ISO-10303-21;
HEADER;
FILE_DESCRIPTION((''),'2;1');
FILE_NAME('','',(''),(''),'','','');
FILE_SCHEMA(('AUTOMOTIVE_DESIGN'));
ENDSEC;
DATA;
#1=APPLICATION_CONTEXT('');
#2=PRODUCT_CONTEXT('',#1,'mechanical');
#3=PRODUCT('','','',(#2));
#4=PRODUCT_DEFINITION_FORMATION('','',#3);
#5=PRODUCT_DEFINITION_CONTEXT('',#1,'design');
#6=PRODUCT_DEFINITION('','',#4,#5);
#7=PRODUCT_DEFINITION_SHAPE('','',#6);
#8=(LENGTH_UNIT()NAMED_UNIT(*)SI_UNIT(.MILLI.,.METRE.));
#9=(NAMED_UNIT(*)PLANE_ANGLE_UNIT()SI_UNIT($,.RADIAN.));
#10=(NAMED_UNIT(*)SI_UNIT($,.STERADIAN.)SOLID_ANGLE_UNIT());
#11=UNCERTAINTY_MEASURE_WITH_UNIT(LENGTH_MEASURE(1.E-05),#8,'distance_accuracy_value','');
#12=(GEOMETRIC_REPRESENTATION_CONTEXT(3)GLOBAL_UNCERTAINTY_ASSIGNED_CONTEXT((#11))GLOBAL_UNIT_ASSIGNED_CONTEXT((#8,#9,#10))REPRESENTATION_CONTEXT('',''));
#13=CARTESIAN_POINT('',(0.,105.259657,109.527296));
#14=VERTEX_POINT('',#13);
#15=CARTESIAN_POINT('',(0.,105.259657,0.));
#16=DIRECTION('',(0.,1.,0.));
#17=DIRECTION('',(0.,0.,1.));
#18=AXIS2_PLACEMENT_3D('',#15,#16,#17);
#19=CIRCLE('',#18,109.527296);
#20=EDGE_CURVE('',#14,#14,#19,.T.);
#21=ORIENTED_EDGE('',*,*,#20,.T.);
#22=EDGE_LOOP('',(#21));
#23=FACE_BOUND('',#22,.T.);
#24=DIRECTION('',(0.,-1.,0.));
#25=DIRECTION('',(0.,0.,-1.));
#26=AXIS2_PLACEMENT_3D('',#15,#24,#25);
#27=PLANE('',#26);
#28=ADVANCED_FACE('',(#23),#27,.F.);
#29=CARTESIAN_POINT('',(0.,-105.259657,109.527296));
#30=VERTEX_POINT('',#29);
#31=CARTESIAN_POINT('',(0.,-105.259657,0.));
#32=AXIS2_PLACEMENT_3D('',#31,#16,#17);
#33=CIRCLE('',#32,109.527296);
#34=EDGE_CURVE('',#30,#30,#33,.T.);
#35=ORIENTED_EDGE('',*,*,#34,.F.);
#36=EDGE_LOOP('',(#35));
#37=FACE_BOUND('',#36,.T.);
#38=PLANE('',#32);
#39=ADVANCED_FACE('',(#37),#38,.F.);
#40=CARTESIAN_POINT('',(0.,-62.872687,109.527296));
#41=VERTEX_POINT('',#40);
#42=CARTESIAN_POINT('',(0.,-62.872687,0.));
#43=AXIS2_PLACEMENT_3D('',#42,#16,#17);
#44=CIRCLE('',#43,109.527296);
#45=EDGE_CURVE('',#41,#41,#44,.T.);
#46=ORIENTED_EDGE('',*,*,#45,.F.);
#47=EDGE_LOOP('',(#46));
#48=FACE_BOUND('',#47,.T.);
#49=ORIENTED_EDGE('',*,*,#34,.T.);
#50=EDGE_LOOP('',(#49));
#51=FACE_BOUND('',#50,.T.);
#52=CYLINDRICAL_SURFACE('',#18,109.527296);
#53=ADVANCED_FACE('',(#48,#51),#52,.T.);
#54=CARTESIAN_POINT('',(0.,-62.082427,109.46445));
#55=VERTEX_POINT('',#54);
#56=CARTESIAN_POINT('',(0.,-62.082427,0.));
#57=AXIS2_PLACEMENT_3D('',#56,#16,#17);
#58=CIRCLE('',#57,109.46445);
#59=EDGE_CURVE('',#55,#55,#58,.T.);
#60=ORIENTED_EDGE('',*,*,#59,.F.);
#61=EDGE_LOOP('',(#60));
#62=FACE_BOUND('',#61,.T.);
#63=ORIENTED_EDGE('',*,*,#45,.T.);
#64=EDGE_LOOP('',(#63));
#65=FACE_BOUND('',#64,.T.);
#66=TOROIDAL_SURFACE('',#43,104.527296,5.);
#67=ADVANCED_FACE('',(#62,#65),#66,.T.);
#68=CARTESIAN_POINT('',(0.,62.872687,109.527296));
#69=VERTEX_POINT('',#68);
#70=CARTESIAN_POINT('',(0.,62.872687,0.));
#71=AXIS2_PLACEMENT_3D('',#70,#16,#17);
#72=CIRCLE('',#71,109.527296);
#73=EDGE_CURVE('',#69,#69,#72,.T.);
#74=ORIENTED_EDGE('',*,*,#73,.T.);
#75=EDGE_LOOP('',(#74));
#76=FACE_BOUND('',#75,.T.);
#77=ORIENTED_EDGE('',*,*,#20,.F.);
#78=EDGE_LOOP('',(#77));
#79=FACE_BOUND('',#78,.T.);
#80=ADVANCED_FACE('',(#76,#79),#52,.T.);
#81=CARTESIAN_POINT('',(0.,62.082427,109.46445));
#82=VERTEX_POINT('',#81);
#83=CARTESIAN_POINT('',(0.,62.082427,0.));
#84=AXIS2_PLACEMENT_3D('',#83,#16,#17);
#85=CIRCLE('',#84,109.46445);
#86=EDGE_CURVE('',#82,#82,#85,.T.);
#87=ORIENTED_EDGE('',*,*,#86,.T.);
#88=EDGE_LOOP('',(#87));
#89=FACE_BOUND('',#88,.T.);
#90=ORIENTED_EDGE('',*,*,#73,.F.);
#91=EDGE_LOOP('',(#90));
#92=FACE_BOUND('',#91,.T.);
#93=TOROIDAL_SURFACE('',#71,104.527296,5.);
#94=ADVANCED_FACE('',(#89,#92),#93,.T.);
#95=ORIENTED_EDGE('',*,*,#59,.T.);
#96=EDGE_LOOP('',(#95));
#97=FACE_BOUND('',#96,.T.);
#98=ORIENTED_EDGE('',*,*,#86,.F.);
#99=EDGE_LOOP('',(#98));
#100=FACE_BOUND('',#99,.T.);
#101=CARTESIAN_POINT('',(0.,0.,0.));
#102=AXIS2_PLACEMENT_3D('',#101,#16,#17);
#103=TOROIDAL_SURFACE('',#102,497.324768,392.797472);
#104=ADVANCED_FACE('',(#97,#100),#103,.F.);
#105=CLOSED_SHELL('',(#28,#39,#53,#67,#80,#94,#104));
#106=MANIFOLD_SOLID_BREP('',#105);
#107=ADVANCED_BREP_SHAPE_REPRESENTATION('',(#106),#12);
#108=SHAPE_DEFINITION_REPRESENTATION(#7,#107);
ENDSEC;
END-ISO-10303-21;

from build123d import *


with BuildPart() as part:
    # Skizze1 → Rotation1 (revolve)
    with BuildSketch(Plane.XY, mode=Mode.PRIVATE) as rotation1_sk:
        with BuildLine():
            Line((109.527295839, -62.872686635), (109.527295839, -105.259657321))
            Line((109.527295839, -105.259657321), (0, -105.259657321))
            Line((0, -105.259657321), (0, 105.259657321))
            Line((0, 105.259657321), (109.527295839, 105.259657321))
            Line((109.527295839, 105.259657321), (109.527295839, 62.872686635))
            ThreePointArc((109.527295839, 62.872686635), (109.511559563, 62.47630913), (109.464449789, 62.082426628))
            ThreePointArc((109.464449789, 62.082426628), (104.527295839, 0), (109.464449789, -62.082426628))
            ThreePointArc((109.464449789, -62.082426628), (109.511559563, -62.47630913), (109.527295839, -62.872686635))
        make_face()
    revolve(rotation1_sk.sketch.rotate(Axis((0, 105.259657321, 0), (0, -1, 0)), 90), axis=Axis((0, 105.259657321, 0), (0, -1, 0)))  # turned: the seam where the file's is


solid = part.part
